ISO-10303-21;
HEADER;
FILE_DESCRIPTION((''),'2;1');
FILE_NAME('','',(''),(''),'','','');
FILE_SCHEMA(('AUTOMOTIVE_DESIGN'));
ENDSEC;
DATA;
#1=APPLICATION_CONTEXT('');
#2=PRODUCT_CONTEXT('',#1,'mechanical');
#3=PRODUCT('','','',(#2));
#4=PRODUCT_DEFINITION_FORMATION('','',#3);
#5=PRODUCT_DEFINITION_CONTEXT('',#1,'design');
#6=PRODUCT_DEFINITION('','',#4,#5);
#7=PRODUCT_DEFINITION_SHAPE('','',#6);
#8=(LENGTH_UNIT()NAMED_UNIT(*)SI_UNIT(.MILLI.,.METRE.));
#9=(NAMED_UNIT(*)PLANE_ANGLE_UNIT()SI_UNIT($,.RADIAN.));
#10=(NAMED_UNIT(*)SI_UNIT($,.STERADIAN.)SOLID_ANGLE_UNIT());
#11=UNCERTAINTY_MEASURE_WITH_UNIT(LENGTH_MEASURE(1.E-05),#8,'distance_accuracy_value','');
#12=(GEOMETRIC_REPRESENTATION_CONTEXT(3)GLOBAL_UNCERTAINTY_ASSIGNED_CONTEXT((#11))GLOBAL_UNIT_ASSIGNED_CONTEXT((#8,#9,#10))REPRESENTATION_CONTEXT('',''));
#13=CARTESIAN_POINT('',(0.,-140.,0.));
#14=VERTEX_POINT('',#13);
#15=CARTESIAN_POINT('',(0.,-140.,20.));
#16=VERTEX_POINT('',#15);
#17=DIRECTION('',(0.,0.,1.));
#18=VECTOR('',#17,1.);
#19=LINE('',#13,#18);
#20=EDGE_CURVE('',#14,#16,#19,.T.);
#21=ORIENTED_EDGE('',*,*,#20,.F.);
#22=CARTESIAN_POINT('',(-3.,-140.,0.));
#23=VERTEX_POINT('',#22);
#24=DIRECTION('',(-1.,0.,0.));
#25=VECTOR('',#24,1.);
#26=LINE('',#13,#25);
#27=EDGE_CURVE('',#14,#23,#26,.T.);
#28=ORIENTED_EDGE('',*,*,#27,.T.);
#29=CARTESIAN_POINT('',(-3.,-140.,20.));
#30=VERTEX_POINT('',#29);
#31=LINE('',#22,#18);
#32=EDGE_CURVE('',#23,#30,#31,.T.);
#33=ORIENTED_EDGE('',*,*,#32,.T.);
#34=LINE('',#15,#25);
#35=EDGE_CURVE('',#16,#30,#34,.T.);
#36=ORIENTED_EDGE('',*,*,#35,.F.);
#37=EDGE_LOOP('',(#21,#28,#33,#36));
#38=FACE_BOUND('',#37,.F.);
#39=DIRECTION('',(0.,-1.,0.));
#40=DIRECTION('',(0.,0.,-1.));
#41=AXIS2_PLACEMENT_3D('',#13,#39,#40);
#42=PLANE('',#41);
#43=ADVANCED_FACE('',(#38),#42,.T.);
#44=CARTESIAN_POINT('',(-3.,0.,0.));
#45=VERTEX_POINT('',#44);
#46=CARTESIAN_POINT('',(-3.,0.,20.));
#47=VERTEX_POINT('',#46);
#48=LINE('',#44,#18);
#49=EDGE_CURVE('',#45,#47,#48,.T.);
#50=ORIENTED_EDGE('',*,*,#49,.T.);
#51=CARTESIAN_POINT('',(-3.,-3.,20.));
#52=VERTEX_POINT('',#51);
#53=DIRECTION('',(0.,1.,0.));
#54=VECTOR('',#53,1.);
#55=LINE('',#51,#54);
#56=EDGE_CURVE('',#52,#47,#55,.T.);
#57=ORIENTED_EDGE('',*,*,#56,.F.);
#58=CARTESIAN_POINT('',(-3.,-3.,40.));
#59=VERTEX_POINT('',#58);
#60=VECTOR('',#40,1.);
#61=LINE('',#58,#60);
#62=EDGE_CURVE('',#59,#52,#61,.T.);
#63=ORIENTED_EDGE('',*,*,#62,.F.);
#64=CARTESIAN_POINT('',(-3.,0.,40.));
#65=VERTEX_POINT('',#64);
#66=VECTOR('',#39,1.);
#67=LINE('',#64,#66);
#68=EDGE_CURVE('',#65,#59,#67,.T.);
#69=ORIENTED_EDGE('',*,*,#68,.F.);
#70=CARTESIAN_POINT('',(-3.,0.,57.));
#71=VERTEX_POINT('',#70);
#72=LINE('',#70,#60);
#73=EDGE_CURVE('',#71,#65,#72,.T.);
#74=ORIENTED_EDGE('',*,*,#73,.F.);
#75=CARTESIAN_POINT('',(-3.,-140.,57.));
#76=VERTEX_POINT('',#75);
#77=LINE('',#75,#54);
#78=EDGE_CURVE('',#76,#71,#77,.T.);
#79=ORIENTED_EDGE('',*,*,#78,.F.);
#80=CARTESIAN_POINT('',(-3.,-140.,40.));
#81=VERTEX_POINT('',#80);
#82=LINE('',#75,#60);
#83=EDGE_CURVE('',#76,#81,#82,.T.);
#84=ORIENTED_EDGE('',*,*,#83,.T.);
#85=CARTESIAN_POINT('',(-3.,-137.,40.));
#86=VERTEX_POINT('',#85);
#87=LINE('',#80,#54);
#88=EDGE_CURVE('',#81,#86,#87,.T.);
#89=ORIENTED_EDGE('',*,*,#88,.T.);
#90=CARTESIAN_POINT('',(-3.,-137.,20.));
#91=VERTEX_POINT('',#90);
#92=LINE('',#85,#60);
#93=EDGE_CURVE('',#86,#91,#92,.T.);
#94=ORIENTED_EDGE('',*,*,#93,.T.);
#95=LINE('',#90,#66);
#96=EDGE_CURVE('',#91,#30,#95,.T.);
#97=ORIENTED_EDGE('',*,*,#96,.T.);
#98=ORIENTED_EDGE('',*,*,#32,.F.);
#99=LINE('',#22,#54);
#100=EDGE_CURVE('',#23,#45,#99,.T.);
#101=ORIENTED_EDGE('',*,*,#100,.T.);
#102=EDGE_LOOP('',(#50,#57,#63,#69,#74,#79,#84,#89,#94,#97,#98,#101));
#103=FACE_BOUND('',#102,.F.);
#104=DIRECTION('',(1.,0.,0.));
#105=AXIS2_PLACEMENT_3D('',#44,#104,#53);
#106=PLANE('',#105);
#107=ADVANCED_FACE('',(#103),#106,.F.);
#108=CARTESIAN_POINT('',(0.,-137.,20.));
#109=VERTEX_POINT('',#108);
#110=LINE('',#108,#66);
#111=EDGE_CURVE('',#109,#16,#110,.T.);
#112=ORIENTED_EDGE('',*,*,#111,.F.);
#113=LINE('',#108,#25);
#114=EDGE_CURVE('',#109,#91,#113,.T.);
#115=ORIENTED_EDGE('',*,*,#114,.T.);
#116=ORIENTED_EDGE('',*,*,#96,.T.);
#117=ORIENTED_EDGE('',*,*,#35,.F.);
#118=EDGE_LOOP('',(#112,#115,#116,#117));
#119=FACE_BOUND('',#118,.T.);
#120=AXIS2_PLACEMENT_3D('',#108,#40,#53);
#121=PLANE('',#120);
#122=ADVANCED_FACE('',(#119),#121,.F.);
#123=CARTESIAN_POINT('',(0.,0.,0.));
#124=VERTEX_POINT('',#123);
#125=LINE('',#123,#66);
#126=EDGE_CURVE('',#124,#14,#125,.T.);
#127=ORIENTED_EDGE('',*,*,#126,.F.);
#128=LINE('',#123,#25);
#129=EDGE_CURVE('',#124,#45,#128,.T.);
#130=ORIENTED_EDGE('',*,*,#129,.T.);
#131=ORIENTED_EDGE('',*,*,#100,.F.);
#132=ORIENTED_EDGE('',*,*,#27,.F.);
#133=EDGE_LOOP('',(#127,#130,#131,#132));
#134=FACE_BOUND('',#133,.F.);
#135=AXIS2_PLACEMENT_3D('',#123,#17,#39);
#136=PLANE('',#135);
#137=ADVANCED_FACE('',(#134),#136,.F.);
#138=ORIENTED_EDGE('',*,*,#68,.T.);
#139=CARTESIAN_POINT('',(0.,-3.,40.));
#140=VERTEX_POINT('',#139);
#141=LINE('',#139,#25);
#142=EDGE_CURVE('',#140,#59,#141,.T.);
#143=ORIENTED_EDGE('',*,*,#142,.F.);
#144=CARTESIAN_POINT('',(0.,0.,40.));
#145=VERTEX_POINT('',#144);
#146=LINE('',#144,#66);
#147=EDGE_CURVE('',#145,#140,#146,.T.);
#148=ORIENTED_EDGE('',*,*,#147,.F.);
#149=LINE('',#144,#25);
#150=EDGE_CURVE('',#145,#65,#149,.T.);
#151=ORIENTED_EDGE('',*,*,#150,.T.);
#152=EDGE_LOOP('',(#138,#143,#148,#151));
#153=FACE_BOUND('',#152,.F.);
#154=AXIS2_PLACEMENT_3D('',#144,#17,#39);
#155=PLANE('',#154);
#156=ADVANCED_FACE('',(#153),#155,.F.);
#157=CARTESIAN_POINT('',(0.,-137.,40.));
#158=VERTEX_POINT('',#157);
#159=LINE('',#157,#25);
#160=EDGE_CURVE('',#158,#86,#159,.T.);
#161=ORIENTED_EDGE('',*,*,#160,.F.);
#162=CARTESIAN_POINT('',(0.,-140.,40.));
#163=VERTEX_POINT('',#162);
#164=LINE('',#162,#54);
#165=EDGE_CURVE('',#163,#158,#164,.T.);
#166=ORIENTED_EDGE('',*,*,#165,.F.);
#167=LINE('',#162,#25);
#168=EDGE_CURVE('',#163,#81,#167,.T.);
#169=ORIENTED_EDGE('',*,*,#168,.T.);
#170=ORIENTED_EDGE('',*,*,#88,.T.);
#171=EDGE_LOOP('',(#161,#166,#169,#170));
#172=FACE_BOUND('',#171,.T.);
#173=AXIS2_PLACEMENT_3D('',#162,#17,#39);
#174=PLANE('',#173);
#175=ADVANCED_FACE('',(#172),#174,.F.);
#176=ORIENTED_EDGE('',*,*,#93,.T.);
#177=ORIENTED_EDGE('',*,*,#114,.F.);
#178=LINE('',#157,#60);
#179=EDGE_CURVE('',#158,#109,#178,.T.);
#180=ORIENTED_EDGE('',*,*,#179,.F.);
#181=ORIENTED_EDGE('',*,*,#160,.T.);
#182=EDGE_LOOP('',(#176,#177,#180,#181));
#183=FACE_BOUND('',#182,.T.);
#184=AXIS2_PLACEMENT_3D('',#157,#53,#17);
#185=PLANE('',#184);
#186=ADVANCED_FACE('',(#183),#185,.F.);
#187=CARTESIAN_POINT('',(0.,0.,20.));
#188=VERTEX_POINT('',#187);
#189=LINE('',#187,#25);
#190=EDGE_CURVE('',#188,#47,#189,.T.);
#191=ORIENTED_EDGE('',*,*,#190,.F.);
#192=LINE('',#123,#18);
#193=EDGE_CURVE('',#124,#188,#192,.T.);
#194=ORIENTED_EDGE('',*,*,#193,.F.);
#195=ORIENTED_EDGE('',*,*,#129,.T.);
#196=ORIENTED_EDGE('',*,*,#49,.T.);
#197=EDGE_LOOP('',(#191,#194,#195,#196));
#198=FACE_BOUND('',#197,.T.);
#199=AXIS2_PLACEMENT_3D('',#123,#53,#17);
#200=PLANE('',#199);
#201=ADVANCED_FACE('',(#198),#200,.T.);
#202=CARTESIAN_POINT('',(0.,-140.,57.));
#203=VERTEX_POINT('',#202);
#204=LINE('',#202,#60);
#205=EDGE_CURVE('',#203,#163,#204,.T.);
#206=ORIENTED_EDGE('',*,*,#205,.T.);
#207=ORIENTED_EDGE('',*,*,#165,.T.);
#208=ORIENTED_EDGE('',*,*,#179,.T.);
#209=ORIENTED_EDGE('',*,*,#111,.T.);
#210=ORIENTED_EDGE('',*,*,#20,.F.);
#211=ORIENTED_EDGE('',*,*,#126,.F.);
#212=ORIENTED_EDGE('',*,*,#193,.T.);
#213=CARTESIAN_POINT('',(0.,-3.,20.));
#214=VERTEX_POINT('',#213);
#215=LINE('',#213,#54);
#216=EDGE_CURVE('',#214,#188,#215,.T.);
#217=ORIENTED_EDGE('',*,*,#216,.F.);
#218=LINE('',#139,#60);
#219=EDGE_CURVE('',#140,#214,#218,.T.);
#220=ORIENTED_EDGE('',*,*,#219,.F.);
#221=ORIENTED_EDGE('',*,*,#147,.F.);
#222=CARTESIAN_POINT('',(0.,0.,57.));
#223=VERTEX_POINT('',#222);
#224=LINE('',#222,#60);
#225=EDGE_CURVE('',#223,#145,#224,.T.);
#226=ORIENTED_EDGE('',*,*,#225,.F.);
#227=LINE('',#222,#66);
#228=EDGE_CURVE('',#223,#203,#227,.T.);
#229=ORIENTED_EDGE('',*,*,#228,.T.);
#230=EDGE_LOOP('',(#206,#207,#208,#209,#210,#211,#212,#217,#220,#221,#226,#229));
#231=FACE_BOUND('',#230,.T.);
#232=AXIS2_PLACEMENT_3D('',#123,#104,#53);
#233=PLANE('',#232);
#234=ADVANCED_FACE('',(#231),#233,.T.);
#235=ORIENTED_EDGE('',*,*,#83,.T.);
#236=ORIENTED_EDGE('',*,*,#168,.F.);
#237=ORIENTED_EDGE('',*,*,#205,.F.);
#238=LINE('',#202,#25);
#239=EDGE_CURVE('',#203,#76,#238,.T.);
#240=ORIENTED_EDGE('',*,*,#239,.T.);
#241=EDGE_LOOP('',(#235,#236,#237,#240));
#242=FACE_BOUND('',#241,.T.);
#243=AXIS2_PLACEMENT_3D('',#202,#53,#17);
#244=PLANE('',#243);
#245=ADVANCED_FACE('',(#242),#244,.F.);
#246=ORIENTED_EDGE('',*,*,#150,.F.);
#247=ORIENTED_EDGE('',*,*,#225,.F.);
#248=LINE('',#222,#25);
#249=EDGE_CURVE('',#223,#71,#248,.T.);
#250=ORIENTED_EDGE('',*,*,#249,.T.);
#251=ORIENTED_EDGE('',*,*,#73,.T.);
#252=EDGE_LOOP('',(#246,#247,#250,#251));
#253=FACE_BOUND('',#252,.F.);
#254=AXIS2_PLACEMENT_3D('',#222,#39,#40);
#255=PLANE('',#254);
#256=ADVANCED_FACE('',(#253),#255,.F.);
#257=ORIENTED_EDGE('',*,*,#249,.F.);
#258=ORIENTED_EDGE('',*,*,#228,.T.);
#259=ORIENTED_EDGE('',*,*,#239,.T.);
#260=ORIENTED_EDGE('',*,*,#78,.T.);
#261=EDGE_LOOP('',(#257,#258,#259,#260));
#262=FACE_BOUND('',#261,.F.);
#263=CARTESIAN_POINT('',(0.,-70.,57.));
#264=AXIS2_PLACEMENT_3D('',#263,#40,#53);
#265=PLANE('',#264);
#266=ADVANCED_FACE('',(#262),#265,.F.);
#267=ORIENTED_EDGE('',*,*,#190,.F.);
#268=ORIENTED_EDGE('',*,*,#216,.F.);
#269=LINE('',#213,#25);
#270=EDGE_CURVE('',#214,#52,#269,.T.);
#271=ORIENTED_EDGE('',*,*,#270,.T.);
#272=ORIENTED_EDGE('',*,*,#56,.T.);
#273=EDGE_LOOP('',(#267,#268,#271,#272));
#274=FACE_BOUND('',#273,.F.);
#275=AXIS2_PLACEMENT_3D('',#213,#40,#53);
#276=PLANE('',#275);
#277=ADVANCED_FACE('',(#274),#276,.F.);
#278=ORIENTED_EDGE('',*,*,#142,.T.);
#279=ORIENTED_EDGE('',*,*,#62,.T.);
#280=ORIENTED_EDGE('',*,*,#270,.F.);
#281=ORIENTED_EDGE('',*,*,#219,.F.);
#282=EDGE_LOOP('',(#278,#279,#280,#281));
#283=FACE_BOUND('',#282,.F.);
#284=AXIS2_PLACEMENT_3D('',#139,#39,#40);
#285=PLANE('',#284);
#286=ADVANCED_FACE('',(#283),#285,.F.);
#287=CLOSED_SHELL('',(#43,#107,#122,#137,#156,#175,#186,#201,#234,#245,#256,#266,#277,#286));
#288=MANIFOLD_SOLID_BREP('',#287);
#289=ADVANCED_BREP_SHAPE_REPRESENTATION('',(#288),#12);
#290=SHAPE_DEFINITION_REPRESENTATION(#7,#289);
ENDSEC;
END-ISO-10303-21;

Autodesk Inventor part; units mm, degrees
ref_plane "YZ Plane" through (0, 0, 0) normal (1, 0, 0) x (0, 1, 0)
ref_plane "XZ Plane" through (0, 0, 0) normal (0, 1, 0) x (-1, 0, 0)
ref_plane "XY Plane" through (0, 0, 0) normal (0, 0, 1) x (1, 0, 0)
sketch "Sketch1" plane through (0, 0, 0) normal (1, 0, 0) x (0, 1, 0)
  line L0 (0, 0) -> (0, 20)
  line L1 (0, 0) -> (-70, 0)
  line L2 (-70, 0) -> (-70, 57)
  line L3 (-70, 57) -> (0, 57)
  line L4 (0, 57) -> (0, 0)
  line L5 (0, 0) -> (-3, 0)
  line L6 (-3, 0) -> (-3, 20)
  line L7 (-3, 20) -> (0, 20)
  line L8 (0, 20) -> (0, 0)
  line L9 (-3, 20) -> (0, 20)
  line L10 (0, 20) -> (0, 40)
  line L11 (0, 40) -> (-3, 40)
  line L12 (-3, 40) -> (-3, 20)
  line L13 (-3, 40) -> (-3, 57)
  line L14 (0, 40) -> (0, 57)
  dimension "d0" = 20
  dimension "d1" = 70
  dimension "d2" = 57
  dimension "d3" = 3
  dimension "d4" = 20
  dimension "d5" = 3
  dimension "d6" = 20
extrude "Extrusion1" add sketch "Sketch1" against normal blind 3 contours L1 L6 L7 L0 | L1 L2 L3 L13 L12 L6 | L11 L13 L3 L4
mirror "Mirror1" about plane through (0, -70, 0) normal (0, -1, 0) of "Extrusion1"
properties part number "dak"
